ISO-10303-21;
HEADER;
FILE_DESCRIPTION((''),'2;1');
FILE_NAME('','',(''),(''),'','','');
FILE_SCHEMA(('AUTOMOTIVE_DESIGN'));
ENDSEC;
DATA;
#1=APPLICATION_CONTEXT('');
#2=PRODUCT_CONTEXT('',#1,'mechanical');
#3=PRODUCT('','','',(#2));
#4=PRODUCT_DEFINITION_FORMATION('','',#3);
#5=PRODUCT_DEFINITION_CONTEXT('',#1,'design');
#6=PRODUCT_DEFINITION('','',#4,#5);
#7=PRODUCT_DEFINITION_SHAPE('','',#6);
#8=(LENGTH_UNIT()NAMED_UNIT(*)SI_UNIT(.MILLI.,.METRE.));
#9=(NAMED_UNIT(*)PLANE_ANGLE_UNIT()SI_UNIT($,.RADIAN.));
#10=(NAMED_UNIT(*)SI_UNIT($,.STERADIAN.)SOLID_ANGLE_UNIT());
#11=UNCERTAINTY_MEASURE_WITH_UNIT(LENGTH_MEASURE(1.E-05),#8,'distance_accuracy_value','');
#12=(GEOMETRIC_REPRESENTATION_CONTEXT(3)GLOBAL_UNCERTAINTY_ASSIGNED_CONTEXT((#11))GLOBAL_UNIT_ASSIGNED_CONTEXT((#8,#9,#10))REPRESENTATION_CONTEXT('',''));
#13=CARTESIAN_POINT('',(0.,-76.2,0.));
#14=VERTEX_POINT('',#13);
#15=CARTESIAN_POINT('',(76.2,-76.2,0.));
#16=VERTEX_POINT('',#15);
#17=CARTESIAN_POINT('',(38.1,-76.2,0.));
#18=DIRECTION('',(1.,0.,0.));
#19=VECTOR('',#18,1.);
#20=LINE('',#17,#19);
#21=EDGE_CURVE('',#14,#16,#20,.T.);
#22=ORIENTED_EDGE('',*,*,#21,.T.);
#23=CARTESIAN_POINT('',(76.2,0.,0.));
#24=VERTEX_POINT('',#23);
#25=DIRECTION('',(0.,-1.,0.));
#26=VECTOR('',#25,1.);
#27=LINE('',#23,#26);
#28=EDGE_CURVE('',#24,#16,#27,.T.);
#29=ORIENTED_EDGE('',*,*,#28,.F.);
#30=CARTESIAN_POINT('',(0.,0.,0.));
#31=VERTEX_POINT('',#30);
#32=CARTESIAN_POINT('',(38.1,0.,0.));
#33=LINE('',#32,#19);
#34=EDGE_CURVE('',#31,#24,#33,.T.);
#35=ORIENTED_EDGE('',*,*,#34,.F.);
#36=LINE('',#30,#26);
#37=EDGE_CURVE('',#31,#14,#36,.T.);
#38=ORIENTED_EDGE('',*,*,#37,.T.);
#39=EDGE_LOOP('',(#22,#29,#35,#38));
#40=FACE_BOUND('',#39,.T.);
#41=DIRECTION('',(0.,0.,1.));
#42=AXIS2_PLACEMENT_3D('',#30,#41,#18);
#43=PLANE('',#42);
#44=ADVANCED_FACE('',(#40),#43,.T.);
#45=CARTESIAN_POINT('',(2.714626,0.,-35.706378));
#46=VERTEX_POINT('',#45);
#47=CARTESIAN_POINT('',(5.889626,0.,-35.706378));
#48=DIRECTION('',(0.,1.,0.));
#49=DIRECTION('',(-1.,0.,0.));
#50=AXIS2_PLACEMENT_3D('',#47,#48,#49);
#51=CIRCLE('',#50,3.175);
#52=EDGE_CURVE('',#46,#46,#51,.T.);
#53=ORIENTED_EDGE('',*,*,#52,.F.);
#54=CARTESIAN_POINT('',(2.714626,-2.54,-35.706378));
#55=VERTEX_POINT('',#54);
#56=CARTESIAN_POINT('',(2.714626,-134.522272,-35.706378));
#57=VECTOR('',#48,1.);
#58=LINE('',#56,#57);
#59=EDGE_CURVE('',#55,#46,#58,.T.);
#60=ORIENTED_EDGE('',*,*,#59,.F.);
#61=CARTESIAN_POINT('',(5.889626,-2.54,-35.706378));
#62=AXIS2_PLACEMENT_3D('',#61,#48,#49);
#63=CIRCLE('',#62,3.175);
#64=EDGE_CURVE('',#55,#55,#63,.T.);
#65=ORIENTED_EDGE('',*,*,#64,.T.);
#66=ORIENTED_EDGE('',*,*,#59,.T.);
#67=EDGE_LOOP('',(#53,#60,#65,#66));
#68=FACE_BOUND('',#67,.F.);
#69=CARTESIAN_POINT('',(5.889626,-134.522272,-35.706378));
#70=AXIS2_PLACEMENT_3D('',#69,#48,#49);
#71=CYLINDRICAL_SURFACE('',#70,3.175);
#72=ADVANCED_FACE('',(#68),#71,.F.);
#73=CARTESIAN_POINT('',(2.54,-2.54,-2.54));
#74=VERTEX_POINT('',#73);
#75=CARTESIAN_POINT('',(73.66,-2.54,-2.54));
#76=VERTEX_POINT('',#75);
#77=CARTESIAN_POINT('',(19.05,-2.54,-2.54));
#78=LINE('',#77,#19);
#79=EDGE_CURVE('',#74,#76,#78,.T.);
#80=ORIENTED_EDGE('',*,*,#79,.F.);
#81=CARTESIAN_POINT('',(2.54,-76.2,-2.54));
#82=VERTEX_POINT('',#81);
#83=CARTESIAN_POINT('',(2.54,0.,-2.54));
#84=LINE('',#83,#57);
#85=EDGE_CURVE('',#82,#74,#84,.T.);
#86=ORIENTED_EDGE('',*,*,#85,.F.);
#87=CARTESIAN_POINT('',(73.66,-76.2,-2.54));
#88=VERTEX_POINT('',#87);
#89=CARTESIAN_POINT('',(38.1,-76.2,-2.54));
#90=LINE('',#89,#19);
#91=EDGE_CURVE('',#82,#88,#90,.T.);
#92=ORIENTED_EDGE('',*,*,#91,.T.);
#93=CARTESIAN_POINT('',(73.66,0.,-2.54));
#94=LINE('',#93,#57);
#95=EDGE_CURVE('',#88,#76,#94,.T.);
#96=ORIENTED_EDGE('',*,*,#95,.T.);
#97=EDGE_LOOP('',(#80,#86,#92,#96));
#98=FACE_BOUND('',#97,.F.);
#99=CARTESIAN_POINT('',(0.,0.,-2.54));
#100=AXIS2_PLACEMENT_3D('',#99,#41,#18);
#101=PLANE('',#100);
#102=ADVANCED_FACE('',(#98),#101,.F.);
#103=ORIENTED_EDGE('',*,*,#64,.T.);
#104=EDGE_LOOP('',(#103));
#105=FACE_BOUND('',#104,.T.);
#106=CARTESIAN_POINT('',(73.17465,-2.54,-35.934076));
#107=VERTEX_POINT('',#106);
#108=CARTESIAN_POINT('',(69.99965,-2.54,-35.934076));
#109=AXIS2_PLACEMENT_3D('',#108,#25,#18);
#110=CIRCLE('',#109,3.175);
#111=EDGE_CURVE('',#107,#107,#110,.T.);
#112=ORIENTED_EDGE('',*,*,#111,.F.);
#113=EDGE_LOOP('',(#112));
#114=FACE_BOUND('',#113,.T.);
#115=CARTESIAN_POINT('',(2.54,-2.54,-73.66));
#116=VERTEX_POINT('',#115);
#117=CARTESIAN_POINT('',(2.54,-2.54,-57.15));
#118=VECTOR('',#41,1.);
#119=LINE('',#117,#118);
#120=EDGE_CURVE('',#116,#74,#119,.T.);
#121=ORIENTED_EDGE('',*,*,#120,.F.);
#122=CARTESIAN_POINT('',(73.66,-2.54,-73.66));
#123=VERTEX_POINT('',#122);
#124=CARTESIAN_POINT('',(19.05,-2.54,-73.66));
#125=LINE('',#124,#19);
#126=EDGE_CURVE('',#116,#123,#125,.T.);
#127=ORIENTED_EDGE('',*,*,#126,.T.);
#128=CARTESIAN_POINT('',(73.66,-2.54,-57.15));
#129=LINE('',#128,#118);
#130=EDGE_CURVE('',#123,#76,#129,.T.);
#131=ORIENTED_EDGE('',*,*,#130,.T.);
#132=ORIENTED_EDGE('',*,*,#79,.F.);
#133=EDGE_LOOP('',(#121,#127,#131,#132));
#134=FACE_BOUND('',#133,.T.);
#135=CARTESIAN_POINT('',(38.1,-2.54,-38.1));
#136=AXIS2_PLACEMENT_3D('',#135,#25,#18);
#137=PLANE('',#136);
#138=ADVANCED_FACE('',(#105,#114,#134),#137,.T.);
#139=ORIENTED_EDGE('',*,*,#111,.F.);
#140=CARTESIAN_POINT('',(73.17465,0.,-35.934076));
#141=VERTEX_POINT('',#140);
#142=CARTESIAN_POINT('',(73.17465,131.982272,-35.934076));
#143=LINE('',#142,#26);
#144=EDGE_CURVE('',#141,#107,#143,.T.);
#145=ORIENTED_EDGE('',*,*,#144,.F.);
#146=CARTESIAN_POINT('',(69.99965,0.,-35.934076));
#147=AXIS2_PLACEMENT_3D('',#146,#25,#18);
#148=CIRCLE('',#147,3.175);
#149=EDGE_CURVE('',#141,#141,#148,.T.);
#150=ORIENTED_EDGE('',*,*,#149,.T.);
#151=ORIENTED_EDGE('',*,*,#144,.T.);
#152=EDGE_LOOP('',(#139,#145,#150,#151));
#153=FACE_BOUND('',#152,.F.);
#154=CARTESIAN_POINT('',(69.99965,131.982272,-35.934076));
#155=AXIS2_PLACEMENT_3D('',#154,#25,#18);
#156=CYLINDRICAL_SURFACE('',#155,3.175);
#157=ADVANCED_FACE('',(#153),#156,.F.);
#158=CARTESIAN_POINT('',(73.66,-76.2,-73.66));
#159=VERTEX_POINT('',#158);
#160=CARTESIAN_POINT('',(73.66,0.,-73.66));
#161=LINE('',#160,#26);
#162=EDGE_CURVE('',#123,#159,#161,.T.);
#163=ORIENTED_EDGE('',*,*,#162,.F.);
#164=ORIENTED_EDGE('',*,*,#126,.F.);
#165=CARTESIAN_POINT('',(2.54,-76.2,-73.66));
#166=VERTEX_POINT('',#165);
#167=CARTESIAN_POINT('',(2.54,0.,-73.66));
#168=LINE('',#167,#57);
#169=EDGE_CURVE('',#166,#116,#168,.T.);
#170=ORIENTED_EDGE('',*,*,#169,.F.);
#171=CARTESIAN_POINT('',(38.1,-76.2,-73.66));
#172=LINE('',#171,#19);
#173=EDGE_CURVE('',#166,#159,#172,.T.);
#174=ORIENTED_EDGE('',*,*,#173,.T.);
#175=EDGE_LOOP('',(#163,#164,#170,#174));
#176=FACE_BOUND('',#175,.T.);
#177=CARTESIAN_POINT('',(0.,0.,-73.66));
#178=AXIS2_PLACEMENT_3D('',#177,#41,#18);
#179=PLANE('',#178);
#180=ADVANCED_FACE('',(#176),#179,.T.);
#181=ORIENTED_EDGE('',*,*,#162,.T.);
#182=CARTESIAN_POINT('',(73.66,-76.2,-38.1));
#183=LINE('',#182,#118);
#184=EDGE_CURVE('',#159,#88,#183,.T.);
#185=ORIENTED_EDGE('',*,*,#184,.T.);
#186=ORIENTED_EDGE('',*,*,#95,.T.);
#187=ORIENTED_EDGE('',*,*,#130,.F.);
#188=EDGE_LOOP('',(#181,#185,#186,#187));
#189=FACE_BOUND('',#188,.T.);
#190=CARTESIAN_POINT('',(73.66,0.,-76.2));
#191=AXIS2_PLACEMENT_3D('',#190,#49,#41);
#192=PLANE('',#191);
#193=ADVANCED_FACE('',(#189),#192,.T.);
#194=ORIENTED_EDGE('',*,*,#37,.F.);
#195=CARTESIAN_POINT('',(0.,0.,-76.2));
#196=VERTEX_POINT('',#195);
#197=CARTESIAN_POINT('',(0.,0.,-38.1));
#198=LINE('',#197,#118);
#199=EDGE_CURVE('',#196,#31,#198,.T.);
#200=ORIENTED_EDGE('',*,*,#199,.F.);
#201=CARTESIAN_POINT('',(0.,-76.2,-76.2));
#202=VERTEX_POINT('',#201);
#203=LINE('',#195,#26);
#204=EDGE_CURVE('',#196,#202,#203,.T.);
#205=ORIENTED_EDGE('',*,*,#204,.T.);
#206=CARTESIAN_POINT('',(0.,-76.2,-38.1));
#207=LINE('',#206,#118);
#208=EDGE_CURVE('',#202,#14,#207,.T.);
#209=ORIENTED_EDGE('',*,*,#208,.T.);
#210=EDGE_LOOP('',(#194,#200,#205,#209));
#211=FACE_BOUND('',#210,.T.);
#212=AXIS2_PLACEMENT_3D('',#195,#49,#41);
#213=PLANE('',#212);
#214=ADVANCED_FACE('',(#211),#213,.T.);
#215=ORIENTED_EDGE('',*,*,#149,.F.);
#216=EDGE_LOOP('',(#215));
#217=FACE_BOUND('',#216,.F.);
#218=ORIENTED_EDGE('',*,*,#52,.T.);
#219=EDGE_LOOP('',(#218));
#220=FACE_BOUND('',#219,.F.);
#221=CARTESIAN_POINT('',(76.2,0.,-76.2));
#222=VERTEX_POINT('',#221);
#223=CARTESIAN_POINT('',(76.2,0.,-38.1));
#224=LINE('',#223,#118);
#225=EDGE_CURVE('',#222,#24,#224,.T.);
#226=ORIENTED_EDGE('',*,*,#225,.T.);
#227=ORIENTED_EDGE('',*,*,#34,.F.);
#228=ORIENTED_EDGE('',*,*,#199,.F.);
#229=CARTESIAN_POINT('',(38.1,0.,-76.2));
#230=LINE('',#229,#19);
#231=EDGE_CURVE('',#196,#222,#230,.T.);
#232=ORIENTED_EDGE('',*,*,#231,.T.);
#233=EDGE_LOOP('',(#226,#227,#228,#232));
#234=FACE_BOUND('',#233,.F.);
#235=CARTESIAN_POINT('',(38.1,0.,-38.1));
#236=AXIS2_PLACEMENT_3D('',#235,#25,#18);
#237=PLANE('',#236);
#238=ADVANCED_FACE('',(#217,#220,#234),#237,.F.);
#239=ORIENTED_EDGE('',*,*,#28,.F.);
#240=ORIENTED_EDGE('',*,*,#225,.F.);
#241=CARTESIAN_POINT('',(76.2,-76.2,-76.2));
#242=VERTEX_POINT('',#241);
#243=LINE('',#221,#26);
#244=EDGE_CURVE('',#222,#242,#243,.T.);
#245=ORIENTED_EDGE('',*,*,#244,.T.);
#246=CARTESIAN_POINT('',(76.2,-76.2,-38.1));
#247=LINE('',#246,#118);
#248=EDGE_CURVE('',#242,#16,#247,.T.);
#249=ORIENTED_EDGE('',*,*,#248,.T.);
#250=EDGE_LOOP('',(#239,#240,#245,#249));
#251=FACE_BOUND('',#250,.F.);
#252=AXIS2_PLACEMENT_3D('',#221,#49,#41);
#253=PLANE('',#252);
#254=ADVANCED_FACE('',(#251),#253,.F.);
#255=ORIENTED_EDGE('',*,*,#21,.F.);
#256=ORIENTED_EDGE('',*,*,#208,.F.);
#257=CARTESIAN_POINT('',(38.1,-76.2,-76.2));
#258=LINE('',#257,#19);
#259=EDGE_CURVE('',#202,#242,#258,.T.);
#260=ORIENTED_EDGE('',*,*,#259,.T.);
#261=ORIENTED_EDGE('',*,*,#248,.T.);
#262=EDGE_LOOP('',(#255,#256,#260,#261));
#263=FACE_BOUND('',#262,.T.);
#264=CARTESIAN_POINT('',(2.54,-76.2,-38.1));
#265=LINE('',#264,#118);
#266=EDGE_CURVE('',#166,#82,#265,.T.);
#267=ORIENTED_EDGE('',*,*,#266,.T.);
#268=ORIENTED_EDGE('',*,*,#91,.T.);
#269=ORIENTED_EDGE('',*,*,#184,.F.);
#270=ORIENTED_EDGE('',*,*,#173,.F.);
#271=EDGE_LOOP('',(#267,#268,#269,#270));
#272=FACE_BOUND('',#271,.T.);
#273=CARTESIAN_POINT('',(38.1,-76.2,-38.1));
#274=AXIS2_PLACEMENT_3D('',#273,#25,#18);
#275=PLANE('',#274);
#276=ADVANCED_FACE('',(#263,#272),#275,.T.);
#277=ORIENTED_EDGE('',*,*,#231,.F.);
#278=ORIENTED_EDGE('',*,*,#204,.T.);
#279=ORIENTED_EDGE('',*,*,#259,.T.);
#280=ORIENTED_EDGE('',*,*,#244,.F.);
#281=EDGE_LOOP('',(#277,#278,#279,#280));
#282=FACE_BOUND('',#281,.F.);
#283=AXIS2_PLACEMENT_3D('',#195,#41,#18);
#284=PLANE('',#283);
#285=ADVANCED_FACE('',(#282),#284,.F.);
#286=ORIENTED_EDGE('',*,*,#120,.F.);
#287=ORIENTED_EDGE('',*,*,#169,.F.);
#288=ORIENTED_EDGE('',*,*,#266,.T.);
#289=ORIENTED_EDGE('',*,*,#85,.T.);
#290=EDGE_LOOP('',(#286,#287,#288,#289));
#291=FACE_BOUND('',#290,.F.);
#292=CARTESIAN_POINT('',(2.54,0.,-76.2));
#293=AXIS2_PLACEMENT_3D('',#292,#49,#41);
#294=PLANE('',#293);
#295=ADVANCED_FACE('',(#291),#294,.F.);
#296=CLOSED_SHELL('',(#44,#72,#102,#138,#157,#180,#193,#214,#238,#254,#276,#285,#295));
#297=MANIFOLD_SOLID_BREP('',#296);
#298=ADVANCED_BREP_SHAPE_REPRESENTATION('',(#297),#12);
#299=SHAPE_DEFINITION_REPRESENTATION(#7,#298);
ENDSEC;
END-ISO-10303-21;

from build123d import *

# Parameters (mm, degrees)
F0_W     = 76.2
F0_H     = 76.2
F1_DEPTH = 76.2
F2_T     = -2.54
F4_D     = 6.35
F6_D     = 6.35


with BuildPart() as f1:
    # F0 (on Front) → F1 (new body)
    with BuildSketch(Plane.XZ):
        with Locations((38.1, -38.1)):
            Rectangle(F0_W, F0_H)
    extrude(amount=F1_DEPTH)

    # F2
    f2_openings = [f1.faces().sort_by_distance(p)[0] for p in [
        (38.1, -76.2, -38.1),
    ]]
    offset(amount=F2_T, openings=f2_openings)

    # F4 (through all)
    with Locations(Plane(origin=(0, 0, 0), x_dir=(-1, 0, 0), z_dir=(0, 1, 0))):
        with Locations((-69.99965, -35.934076)):
            Hole(F4_D / 2)

    # F6 (through all)
    with Locations(Plane.XZ.offset(2.54)):
        with Locations((5.889626, -35.706378)):
            Hole(F6_D / 2)


solid = f1.part
